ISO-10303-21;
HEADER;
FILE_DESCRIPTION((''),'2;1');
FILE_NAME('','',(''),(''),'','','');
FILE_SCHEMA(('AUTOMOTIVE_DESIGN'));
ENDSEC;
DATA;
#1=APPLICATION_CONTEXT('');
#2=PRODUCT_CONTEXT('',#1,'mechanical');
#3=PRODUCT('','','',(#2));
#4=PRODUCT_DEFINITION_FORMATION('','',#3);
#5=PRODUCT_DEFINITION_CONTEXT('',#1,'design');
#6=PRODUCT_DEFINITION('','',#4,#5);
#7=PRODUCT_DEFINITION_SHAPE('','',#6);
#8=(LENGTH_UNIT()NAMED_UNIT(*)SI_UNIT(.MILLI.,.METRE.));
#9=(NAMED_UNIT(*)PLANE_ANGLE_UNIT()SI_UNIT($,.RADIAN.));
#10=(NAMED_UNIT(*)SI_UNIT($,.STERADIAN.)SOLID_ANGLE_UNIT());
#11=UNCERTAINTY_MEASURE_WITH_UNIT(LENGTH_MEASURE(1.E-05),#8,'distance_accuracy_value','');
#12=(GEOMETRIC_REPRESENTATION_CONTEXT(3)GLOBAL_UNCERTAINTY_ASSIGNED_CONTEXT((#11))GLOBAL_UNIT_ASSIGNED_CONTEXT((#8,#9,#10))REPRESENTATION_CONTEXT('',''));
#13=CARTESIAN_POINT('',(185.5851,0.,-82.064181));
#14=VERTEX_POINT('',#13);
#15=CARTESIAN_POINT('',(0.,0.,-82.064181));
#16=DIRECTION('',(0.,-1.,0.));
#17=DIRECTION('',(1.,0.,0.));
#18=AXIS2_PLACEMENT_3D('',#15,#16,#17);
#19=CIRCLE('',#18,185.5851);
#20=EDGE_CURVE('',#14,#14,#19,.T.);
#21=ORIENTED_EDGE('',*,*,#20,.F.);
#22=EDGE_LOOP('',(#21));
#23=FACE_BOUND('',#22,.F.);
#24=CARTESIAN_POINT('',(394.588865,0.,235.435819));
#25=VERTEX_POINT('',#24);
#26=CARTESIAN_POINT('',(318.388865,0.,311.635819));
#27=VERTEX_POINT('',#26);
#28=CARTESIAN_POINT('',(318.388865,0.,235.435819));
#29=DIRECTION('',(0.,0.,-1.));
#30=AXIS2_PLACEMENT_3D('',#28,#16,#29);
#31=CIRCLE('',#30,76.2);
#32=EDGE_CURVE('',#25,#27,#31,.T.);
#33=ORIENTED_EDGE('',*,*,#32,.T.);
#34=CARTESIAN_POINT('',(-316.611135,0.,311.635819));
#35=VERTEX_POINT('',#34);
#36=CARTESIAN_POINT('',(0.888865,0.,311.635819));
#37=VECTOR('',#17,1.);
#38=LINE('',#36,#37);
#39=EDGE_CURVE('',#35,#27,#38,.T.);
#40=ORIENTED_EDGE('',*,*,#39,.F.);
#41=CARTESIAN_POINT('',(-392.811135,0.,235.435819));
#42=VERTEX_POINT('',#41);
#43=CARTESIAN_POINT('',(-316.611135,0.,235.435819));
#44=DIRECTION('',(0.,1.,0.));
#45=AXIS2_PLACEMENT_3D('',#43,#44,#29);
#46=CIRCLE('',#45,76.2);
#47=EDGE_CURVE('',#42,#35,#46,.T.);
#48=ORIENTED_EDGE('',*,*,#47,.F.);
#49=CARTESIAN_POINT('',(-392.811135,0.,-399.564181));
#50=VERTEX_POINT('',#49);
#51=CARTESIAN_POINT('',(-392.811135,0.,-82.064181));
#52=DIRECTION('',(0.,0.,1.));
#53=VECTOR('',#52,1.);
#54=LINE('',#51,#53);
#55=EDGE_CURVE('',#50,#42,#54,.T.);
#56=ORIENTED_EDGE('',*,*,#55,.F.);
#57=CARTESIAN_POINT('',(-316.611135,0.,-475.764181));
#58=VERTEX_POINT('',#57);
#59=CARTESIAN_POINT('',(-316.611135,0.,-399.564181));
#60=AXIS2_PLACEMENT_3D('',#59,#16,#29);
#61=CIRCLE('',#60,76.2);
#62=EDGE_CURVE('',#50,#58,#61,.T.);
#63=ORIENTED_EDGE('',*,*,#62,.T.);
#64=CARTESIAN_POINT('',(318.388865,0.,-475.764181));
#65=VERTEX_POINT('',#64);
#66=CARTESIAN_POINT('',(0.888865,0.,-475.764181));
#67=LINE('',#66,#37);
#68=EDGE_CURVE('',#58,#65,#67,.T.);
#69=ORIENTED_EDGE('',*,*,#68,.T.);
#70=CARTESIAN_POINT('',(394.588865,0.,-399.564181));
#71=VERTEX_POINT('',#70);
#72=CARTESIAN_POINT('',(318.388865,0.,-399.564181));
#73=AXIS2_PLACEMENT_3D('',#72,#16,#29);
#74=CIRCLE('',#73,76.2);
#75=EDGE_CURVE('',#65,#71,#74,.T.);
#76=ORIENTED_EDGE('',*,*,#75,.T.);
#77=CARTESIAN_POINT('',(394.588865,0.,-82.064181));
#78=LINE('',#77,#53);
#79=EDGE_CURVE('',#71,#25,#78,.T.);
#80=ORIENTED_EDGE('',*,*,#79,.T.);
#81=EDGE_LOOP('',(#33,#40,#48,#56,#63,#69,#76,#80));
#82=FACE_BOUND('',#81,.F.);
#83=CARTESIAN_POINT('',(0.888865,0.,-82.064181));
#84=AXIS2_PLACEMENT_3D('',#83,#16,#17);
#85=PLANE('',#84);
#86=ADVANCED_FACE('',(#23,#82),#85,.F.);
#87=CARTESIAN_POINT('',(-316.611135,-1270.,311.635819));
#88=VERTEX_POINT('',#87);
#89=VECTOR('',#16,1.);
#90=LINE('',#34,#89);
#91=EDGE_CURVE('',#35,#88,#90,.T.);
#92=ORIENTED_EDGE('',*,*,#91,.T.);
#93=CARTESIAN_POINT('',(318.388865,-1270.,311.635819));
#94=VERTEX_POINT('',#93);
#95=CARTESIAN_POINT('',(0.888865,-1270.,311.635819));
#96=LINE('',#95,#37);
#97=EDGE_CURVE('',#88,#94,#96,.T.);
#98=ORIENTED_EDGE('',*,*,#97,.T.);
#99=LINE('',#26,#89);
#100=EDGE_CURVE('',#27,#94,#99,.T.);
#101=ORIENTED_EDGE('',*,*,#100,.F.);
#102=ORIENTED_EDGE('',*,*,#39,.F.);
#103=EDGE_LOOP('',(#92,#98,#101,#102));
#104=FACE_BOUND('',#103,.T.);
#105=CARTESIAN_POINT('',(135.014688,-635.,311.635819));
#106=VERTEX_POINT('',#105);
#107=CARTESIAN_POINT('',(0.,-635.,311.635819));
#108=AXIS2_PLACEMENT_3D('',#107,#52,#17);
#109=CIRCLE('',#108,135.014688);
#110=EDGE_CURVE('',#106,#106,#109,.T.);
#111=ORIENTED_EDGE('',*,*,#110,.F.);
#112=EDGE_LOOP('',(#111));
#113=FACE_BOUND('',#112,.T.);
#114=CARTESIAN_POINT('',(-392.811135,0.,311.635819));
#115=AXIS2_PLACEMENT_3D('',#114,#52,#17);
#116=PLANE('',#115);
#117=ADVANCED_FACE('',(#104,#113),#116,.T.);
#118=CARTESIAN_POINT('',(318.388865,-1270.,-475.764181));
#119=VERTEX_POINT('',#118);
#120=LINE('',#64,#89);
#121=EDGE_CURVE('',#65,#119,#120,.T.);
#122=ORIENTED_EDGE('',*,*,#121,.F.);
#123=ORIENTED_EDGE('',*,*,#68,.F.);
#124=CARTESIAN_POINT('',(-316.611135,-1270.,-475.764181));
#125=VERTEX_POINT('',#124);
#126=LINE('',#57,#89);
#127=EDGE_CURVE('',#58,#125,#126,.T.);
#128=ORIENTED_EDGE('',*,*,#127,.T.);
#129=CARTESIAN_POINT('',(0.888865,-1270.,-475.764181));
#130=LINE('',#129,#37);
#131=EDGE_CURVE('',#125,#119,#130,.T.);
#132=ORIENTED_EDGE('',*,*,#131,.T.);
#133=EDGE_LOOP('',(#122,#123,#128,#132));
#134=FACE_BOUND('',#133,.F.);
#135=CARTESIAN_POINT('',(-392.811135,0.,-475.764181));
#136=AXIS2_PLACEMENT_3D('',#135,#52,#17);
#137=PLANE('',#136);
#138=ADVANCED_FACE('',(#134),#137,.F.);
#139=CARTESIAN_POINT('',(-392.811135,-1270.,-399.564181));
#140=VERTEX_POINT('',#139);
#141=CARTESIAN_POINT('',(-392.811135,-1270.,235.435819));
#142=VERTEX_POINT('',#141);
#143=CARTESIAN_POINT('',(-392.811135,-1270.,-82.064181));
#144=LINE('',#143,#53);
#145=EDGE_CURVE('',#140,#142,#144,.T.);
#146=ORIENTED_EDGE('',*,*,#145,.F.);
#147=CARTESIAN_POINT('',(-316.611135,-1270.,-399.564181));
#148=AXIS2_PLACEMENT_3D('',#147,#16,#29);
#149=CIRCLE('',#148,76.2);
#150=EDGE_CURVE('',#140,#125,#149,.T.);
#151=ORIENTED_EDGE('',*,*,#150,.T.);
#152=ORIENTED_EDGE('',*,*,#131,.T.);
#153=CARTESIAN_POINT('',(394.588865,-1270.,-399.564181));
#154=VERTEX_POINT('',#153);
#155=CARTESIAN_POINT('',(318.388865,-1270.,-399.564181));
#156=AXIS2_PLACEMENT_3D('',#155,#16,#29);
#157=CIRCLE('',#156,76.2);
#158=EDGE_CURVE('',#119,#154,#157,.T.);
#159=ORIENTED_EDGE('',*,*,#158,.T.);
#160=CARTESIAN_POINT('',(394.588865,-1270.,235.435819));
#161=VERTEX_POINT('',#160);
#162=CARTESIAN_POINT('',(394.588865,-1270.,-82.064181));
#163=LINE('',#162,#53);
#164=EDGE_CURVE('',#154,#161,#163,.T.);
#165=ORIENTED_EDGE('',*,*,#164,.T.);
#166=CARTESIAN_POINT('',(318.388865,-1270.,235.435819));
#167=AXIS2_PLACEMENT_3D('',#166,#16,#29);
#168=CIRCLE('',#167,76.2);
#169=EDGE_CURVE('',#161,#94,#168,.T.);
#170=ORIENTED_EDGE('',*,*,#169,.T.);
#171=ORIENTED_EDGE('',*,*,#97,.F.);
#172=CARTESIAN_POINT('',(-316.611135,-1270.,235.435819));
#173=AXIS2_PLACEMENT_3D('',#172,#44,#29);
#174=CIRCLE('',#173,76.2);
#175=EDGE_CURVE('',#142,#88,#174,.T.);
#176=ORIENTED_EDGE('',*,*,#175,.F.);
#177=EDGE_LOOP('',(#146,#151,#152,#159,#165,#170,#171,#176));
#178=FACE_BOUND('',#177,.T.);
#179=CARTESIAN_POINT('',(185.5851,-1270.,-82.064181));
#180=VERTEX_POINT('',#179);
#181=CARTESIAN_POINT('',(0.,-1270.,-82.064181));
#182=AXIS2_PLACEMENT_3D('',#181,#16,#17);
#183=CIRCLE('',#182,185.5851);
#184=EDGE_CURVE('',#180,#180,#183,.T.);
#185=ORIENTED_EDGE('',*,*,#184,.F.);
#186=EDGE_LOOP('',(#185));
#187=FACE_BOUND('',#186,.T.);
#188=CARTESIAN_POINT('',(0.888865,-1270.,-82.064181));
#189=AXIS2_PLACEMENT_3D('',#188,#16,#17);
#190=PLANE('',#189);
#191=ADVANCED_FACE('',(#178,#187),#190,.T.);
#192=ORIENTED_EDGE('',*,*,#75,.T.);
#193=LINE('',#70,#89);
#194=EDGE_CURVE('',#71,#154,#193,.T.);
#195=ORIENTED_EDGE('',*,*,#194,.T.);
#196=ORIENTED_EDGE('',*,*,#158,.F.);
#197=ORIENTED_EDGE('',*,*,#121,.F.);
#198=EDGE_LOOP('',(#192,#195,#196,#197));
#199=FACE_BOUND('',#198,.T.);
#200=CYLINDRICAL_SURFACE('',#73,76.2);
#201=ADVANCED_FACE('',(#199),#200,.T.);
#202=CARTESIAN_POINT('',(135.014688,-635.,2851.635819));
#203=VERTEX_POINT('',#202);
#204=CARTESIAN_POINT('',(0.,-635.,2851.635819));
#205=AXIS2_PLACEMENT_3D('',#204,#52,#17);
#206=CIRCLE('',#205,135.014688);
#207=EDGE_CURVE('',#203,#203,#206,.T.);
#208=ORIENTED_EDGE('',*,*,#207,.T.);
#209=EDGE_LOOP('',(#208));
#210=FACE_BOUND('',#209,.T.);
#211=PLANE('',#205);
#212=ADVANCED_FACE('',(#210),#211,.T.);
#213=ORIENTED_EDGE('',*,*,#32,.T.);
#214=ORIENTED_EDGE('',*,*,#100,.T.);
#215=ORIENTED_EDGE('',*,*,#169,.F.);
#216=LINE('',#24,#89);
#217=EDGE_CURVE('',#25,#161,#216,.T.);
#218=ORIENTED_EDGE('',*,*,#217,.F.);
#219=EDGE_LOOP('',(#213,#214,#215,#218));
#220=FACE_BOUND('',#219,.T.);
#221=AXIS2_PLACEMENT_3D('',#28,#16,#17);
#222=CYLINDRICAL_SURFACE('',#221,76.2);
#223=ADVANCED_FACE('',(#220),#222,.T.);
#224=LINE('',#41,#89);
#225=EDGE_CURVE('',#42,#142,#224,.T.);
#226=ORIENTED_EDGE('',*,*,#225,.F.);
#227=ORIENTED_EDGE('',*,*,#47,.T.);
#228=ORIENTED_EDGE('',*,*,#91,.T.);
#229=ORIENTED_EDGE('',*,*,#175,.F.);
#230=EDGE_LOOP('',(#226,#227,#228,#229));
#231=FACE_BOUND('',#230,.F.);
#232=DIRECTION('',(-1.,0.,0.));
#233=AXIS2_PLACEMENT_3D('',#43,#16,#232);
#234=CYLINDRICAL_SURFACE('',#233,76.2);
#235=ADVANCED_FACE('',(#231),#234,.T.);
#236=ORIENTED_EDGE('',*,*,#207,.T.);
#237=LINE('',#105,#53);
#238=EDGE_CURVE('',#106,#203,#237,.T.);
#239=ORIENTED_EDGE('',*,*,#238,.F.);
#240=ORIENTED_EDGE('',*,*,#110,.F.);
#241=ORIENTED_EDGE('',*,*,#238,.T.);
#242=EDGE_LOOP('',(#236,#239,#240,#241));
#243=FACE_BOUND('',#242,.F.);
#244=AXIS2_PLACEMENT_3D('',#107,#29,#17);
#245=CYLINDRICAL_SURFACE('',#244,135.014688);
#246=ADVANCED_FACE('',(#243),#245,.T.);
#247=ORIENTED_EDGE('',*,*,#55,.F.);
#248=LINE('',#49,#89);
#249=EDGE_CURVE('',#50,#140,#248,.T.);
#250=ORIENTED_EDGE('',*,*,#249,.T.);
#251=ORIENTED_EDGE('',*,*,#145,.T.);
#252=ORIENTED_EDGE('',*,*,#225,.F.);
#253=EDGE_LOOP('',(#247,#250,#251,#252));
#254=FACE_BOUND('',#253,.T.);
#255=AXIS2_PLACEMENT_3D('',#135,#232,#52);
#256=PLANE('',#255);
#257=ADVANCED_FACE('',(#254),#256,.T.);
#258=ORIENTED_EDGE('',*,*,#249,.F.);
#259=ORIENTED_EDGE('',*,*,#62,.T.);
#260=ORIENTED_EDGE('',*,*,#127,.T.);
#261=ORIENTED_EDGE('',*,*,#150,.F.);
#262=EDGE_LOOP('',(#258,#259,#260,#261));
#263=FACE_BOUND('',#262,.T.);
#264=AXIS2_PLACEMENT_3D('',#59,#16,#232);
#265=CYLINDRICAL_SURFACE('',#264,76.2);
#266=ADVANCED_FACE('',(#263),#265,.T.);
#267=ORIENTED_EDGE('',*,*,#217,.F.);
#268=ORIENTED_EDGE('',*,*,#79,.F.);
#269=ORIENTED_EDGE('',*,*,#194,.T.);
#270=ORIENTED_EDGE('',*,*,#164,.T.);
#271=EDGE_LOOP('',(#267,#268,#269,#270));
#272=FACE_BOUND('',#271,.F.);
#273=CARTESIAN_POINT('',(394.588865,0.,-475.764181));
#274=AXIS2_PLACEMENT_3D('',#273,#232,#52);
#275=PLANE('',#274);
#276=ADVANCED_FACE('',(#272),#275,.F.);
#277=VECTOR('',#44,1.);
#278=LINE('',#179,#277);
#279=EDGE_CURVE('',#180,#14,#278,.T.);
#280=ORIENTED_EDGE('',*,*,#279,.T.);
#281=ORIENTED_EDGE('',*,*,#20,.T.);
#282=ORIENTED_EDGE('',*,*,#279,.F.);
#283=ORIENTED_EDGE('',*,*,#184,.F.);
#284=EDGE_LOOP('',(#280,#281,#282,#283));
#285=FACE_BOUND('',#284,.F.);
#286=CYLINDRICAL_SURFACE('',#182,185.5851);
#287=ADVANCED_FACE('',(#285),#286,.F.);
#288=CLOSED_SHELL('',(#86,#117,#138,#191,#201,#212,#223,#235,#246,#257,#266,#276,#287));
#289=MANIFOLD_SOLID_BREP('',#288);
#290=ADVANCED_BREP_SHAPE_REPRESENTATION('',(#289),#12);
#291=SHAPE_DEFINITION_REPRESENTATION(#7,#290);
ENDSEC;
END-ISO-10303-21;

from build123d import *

# Parameters (mm, degrees)
F0_W     = 787.4
F0_H     = 787.4
F1_DEPTH = 1270
F2_R     = 76.2
F3_R     = 185.5851
F4_DEPTH = 1270
F5_R     = 135.014688
F6_DEPTH = 2540


with BuildPart() as f1:
    # F0 (on Front) → F1 (new body)
    with BuildSketch(Plane.XZ):
        with Locations((0.888865, -82.064181)):
            Rectangle(F0_W, F0_H)
    extrude(amount=F1_DEPTH)

    # F2
    f2_edges = [f1.edges().sort_by_distance(p)[0] for p in [
        (394.588865, -635, 311.635819),
        (-392.811135, -635, 311.635819),
        (-392.811135, -635, -475.764181),
        (394.588865, -635, -475.764181),
    ]]
    fillet(f2_edges, radius=F2_R)

    # F3 (on face) → F4 (cut)
    with BuildSketch(Plane.XZ.offset(1270)):
        with Locations((0, -82.064181)):
            Circle(F3_R)
    extrude(amount=-F4_DEPTH, mode=Mode.SUBTRACT)

    # F5 (on face) → F6 (join)
    with BuildSketch(Plane.XY.offset(311.635819)):
        with Locations((0, -635)):
            Circle(F5_R)
    extrude(amount=F6_DEPTH)


solid = f1.part
